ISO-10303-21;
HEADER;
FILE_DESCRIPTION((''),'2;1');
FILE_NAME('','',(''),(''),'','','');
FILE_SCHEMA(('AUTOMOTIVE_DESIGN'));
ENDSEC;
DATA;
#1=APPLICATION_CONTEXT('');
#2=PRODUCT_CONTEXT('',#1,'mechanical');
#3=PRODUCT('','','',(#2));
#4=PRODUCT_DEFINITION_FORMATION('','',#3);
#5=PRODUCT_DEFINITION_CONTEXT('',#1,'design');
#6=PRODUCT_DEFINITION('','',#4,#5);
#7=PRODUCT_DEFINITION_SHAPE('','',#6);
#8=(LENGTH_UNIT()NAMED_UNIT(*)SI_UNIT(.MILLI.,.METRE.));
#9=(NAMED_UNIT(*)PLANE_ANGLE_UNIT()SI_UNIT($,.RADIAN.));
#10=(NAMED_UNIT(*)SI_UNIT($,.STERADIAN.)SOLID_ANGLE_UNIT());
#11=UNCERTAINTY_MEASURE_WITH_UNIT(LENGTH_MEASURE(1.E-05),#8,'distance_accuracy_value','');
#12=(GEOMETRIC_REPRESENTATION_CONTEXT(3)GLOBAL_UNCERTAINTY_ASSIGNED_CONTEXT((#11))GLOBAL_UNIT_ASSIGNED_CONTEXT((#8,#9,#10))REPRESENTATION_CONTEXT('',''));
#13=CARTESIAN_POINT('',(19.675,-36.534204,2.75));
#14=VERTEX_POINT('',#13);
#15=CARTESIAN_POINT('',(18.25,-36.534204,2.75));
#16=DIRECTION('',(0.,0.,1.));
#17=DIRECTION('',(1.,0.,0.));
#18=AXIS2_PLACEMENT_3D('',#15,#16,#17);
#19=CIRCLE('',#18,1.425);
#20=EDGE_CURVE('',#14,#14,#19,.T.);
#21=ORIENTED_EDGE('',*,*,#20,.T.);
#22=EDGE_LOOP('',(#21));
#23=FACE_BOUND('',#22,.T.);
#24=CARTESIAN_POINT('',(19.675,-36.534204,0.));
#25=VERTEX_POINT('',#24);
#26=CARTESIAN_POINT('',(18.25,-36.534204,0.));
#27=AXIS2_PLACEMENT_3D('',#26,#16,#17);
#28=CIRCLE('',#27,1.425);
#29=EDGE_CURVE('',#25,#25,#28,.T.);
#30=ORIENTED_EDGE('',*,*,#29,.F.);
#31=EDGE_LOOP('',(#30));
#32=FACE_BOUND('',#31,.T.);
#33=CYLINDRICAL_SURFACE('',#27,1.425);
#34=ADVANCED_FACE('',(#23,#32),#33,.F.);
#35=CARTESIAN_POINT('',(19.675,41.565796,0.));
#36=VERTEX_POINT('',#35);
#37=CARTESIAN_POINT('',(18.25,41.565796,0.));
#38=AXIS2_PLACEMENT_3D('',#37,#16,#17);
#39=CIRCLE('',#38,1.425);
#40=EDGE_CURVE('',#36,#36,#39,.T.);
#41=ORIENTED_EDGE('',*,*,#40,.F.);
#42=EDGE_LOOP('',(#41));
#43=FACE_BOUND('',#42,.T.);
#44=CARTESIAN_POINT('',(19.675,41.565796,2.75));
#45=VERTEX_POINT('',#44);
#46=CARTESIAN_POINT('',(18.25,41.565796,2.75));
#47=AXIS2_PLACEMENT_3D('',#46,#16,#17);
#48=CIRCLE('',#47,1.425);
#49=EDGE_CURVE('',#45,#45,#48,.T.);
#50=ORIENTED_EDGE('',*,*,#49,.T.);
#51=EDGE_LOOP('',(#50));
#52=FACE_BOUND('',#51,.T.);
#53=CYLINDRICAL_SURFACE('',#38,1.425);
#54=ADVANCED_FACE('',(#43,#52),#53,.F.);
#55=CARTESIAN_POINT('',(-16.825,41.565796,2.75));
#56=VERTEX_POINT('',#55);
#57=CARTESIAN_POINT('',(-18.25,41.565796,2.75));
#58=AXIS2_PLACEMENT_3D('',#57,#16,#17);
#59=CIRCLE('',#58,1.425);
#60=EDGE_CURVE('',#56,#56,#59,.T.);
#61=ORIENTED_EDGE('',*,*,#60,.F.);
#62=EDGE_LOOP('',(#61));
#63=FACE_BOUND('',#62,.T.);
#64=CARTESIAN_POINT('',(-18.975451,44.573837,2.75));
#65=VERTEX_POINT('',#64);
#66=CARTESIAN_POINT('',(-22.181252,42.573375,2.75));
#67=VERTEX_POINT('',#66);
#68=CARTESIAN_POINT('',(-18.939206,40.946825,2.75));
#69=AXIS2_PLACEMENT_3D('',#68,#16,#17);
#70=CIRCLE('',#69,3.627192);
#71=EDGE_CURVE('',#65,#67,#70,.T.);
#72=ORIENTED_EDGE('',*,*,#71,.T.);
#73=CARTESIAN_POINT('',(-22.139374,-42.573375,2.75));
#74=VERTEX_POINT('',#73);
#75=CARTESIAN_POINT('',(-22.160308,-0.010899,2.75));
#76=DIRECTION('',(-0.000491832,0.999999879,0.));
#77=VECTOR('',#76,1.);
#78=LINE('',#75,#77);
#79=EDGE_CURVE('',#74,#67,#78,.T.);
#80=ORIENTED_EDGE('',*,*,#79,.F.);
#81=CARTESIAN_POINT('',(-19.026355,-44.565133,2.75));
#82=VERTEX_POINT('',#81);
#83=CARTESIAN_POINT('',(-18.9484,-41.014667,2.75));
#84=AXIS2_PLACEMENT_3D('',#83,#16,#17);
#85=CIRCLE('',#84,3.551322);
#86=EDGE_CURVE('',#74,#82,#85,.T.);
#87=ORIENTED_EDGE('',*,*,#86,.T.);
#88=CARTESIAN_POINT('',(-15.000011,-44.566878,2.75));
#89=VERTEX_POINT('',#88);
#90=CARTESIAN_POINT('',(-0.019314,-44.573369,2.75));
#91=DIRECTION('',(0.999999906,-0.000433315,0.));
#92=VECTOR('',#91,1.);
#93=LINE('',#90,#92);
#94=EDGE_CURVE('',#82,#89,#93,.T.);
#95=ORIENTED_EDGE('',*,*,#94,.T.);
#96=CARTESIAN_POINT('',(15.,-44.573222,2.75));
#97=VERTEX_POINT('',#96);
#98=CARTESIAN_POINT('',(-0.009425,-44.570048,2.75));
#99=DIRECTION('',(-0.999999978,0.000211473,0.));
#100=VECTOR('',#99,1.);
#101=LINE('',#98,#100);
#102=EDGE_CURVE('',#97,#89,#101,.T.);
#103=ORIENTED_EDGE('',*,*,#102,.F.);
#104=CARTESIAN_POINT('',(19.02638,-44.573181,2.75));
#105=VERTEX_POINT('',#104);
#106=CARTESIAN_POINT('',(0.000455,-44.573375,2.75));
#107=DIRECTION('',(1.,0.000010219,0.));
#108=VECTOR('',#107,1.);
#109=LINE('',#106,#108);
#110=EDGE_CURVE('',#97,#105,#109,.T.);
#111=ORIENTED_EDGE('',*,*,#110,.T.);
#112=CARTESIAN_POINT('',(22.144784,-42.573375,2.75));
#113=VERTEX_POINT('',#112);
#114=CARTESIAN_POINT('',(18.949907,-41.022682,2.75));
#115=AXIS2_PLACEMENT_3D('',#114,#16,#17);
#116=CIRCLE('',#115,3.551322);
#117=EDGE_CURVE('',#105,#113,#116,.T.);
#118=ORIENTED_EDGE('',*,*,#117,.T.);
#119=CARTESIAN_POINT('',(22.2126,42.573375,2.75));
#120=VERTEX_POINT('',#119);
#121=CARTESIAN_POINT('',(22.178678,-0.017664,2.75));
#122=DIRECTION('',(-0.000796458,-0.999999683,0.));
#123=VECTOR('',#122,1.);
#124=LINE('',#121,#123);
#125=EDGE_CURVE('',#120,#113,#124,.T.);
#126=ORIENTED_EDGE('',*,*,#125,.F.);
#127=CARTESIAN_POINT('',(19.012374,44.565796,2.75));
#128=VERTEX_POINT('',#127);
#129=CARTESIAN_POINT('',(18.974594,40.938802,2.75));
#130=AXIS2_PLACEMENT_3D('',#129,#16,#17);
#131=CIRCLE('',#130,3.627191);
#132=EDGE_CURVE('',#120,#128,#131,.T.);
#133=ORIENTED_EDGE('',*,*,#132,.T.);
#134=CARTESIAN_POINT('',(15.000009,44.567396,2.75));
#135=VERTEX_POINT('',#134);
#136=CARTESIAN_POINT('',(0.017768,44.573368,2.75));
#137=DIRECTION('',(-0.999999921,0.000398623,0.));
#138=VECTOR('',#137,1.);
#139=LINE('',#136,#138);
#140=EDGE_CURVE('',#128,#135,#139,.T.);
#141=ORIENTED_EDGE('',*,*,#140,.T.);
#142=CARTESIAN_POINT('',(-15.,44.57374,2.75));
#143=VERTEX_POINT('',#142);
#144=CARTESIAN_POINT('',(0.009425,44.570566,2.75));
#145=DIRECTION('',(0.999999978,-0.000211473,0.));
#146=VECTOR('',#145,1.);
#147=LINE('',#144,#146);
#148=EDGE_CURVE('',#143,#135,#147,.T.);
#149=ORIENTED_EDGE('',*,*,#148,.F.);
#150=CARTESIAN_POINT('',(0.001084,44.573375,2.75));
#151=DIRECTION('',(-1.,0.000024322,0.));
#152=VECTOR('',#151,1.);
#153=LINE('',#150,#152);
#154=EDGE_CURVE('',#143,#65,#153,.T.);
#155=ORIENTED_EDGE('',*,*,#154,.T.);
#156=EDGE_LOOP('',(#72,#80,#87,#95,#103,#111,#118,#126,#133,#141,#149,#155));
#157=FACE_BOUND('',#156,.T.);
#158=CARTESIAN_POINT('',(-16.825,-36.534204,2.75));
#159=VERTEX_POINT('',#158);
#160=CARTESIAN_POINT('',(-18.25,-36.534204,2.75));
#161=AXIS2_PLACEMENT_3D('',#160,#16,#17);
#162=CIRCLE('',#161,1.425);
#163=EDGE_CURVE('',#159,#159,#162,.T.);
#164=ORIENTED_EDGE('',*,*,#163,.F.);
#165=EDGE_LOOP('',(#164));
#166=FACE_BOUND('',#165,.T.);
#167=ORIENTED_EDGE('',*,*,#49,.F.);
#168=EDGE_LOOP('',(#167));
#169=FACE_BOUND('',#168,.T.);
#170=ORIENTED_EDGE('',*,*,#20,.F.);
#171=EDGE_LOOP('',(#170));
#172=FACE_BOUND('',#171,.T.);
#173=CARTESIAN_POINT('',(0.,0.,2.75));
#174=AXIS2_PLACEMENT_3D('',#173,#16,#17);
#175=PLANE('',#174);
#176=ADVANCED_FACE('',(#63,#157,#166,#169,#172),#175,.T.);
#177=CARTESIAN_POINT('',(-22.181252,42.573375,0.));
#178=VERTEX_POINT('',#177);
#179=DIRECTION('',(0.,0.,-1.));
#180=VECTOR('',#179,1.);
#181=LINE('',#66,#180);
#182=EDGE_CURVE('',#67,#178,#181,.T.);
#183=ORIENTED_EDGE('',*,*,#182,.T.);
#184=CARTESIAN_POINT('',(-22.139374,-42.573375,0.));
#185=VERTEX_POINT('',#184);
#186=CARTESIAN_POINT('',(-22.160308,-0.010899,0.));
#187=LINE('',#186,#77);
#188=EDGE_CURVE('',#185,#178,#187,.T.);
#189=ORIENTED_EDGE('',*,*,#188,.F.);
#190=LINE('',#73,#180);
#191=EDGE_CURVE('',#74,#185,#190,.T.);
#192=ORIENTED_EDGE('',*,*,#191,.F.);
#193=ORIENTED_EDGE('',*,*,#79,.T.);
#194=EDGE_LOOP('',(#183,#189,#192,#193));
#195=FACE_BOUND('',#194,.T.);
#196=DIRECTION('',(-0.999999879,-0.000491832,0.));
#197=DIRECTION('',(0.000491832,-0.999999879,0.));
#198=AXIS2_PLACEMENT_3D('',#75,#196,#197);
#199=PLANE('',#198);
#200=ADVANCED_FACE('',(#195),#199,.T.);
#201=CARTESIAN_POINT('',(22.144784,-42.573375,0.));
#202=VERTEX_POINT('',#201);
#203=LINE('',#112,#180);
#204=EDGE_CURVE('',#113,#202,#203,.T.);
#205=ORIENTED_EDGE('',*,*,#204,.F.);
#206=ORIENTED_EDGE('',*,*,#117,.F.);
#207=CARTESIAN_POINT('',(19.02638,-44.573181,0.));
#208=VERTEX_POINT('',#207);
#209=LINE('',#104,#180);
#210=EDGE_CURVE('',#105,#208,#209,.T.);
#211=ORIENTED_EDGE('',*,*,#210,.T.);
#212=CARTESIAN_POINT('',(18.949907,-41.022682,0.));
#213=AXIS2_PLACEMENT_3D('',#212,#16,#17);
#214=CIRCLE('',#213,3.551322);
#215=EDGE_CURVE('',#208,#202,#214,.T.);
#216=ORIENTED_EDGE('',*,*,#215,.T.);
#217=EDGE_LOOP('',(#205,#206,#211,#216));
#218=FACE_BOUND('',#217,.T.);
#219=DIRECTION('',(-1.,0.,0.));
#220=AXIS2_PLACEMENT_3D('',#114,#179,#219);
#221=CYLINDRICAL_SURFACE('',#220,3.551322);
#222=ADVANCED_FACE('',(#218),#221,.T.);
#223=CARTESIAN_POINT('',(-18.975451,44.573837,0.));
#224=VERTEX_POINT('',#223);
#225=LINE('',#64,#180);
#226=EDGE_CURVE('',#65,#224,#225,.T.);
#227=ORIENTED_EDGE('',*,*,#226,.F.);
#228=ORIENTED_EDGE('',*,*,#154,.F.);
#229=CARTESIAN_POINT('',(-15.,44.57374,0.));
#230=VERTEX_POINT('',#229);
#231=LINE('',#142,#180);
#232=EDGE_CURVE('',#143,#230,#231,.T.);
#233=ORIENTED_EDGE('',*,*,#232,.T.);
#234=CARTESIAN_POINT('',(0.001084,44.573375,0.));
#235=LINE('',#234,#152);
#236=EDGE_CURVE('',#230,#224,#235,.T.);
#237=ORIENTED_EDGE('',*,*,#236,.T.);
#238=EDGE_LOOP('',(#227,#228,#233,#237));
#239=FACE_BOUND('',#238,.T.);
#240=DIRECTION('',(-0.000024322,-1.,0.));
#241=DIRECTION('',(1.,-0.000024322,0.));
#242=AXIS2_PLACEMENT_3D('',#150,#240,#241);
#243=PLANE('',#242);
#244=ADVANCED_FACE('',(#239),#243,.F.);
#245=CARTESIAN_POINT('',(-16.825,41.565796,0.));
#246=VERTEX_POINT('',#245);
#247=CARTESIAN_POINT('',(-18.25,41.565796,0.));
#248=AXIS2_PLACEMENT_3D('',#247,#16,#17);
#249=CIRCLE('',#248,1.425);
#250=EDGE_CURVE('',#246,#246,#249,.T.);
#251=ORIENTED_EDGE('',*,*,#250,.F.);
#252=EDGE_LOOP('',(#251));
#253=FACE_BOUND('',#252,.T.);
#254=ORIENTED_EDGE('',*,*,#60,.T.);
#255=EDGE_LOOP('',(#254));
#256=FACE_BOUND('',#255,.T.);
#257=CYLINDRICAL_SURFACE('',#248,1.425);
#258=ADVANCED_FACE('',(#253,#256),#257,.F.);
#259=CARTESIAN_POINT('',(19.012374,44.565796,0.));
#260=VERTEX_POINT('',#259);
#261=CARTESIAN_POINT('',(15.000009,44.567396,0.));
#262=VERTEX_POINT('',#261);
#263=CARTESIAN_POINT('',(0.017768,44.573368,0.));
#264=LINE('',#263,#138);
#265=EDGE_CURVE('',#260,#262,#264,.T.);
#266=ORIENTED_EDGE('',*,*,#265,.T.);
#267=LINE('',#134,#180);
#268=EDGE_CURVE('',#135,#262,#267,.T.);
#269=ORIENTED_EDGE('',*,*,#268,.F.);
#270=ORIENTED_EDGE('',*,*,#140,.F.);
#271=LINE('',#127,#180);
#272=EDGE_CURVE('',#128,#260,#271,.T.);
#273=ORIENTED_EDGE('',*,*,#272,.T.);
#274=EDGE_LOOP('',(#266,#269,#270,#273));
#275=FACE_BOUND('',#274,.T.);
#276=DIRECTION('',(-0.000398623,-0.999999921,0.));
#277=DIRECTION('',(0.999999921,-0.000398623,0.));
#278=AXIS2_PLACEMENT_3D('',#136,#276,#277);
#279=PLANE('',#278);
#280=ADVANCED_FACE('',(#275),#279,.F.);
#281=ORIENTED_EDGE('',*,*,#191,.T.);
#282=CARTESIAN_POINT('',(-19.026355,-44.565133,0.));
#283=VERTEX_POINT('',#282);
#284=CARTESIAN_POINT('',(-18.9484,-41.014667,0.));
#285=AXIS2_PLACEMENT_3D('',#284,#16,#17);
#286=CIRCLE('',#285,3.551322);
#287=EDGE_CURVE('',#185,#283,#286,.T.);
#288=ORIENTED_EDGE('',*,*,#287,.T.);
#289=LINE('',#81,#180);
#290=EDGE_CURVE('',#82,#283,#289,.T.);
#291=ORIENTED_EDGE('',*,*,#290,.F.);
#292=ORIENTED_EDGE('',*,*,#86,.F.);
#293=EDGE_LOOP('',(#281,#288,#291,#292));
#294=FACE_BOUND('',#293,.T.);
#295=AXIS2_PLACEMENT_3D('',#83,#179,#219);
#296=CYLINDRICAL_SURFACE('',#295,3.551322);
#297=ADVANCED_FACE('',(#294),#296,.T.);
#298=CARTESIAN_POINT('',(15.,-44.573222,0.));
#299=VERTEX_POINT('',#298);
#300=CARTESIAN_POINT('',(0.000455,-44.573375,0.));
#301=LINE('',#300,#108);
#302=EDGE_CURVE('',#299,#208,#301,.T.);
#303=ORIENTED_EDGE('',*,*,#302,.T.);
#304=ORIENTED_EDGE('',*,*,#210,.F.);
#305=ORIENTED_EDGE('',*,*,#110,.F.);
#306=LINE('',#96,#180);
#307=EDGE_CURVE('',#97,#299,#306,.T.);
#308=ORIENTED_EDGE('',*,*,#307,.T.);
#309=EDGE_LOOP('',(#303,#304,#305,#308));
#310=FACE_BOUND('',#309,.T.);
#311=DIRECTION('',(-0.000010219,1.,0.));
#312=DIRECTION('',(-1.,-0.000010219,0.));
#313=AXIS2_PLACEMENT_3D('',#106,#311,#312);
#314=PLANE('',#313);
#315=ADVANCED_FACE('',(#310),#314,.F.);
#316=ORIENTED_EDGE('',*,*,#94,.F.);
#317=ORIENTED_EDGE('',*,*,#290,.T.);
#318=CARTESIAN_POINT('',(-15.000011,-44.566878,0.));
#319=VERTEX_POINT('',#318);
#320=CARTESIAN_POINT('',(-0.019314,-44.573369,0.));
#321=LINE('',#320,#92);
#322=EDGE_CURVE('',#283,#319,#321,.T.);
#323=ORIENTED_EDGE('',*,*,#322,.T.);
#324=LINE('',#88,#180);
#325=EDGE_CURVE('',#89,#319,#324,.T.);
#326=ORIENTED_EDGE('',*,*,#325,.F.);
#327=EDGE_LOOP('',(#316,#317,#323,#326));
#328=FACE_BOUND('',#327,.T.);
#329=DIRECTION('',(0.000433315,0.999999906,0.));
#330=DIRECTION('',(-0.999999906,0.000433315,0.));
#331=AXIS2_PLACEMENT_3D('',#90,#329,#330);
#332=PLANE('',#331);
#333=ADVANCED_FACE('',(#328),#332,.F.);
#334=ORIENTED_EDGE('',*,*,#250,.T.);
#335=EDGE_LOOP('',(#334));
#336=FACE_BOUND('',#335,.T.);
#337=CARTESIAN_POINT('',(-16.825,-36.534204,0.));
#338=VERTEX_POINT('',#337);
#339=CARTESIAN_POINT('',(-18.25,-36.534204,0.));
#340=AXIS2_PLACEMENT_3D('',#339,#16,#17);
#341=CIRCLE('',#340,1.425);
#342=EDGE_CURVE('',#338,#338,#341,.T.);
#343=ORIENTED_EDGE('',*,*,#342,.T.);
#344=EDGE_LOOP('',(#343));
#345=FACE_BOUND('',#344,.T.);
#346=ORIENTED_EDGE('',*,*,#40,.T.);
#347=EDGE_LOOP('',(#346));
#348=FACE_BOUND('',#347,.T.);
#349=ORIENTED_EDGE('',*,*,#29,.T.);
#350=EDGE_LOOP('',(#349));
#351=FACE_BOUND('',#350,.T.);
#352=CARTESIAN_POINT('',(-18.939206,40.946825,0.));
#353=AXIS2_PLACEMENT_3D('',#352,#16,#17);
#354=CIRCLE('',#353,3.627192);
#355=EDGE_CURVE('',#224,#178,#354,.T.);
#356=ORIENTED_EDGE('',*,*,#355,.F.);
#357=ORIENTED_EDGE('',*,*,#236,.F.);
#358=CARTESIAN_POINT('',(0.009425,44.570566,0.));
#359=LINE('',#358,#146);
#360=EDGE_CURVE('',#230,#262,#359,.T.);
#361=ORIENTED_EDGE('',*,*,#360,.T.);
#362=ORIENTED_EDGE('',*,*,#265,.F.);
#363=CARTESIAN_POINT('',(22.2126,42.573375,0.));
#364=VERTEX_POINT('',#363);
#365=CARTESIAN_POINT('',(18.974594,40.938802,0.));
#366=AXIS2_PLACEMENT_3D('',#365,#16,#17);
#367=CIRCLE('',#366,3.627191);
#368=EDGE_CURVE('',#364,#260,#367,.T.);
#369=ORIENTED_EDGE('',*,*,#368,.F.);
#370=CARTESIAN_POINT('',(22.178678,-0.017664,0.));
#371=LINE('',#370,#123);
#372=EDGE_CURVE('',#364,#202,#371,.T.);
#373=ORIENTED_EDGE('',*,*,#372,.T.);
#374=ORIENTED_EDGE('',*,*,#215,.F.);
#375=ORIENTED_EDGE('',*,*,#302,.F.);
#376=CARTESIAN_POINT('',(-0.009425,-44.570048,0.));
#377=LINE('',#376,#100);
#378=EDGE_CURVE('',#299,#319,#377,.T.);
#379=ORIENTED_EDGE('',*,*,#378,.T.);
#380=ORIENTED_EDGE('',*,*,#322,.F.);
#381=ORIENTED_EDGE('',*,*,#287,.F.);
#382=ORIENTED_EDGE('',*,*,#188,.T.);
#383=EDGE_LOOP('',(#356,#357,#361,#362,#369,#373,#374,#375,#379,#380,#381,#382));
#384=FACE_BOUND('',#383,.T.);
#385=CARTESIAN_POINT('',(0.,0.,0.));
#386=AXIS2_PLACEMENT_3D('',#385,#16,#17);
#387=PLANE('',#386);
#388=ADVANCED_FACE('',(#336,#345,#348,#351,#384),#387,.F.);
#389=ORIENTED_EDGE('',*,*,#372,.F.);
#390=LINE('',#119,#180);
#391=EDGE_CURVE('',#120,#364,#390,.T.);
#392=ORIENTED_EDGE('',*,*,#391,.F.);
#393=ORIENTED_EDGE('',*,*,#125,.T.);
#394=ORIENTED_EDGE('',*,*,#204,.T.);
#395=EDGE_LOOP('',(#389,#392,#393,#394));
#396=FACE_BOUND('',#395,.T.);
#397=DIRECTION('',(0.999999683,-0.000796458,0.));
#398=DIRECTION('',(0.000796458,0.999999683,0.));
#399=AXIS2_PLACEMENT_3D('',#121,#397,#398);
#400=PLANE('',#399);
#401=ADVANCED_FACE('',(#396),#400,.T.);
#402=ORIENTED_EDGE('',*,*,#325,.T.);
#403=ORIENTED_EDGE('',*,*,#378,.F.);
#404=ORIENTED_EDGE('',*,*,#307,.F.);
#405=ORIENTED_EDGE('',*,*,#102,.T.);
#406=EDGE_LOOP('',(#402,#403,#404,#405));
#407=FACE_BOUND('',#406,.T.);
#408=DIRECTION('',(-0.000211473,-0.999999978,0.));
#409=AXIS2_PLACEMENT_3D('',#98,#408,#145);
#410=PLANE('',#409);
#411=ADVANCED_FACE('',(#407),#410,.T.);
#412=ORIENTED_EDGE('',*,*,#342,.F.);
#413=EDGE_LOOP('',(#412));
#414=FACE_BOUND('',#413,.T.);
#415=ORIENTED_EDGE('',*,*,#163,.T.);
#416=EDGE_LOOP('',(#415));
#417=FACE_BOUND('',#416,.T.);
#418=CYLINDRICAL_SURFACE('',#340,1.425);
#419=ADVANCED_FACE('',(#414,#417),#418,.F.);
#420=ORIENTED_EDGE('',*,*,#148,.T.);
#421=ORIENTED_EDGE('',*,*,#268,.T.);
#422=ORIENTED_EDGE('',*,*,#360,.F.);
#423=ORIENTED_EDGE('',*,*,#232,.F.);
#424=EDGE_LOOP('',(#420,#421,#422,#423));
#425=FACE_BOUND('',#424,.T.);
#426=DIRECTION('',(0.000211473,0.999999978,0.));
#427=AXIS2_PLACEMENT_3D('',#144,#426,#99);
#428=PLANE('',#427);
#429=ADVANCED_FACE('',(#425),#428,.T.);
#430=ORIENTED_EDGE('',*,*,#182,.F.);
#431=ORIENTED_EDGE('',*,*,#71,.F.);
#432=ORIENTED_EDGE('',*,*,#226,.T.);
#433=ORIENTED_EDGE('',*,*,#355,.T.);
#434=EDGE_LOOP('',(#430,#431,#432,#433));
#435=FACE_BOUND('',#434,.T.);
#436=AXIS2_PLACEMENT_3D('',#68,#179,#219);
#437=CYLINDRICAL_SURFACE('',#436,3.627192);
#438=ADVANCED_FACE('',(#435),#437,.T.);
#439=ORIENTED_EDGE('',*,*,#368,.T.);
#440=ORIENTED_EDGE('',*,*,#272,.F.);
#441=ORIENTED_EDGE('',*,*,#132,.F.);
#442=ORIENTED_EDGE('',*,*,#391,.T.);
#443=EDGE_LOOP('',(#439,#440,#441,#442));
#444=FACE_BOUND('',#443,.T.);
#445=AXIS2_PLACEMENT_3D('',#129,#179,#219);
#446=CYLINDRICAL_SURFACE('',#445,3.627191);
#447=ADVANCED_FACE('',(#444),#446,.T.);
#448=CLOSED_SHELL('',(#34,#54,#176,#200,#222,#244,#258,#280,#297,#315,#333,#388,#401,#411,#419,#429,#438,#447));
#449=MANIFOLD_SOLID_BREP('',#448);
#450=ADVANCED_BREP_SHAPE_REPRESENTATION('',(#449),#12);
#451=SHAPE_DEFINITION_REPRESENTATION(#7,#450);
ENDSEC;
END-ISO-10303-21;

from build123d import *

# Parameters (mm, degrees)
BOSS_EXTRUDE1_DEPTH     = 2.75
CUT_EXTRUDE1_DEPTH      = 50.877740599
CUT_EXTRUDE1_DEPTH_BACK = 50.877740599
SKETCH2_R               = 1.425


with BuildPart() as part:
    # Sketch1 → Boss-Extrude1 (new body)
    with BuildSketch(Plane(origin=(0, 0, 0), x_dir=(-1, 0, 0), z_dir=(0, 0, 1))):
        with BuildLine():
            Line((19.026354954, 44.565132863), (15.00001057, 44.566877537))
            Line((15.00001057, 44.566877537), (-15.000000006, 44.573221717))
            Line((-15.000000006, 44.573221717), (-19.026379978, 44.573180573))
            ThreePointArc((-19.026379978, 44.573180573), (-20.866998297, 44.012105117), (-22.144784315, 42.573375))
            Line((-22.144784315, 42.573375), (-22.212600147, -42.573375))
            ThreePointArc((-22.212600147, -42.573375), (-20.89165665, -44.017987624), (-19.012374049, -44.565796226))
            Line((-19.012374049, -44.565796226), (-15.000008938, -44.567395648))
            Line((-15.000008938, -44.567395648), (15, -44.573739828))
            Line((15, -44.573739828), (18.975450836, -44.573836518))
            ThreePointArc((18.975450836, -44.573836518), (20.859429803, -44.024042544), (22.18125197, -42.573375))
            Line((22.18125197, -42.573375), (22.139374041, 42.573375))
            ThreePointArc((22.139374041, 42.573375), (20.862361619, 44.006094116), (19.026354954, 44.565132863))
        make_face()
    extrude(amount=BOSS_EXTRUDE1_DEPTH)

    # Sketch2 → Cut-Extrude1 (cut, two sides: drawn at the far end of the back side and taken through both)
    with BuildSketch(Plane.XY.offset(2.75).offset(-CUT_EXTRUDE1_DEPTH_BACK)):
        with Locations((-18.25, 41.565796226)):
            Circle(SKETCH2_R)
        with Locations((18.25, 41.565796226)):
            Circle(SKETCH2_R)
        with Locations((18.25, -36.534203774)):
            Circle(SKETCH2_R)
        with Locations((-18.25, -36.534203774)):
            Circle(SKETCH2_R)
    extrude(amount=CUT_EXTRUDE1_DEPTH + CUT_EXTRUDE1_DEPTH_BACK, mode=Mode.SUBTRACT)


solid = part.part
